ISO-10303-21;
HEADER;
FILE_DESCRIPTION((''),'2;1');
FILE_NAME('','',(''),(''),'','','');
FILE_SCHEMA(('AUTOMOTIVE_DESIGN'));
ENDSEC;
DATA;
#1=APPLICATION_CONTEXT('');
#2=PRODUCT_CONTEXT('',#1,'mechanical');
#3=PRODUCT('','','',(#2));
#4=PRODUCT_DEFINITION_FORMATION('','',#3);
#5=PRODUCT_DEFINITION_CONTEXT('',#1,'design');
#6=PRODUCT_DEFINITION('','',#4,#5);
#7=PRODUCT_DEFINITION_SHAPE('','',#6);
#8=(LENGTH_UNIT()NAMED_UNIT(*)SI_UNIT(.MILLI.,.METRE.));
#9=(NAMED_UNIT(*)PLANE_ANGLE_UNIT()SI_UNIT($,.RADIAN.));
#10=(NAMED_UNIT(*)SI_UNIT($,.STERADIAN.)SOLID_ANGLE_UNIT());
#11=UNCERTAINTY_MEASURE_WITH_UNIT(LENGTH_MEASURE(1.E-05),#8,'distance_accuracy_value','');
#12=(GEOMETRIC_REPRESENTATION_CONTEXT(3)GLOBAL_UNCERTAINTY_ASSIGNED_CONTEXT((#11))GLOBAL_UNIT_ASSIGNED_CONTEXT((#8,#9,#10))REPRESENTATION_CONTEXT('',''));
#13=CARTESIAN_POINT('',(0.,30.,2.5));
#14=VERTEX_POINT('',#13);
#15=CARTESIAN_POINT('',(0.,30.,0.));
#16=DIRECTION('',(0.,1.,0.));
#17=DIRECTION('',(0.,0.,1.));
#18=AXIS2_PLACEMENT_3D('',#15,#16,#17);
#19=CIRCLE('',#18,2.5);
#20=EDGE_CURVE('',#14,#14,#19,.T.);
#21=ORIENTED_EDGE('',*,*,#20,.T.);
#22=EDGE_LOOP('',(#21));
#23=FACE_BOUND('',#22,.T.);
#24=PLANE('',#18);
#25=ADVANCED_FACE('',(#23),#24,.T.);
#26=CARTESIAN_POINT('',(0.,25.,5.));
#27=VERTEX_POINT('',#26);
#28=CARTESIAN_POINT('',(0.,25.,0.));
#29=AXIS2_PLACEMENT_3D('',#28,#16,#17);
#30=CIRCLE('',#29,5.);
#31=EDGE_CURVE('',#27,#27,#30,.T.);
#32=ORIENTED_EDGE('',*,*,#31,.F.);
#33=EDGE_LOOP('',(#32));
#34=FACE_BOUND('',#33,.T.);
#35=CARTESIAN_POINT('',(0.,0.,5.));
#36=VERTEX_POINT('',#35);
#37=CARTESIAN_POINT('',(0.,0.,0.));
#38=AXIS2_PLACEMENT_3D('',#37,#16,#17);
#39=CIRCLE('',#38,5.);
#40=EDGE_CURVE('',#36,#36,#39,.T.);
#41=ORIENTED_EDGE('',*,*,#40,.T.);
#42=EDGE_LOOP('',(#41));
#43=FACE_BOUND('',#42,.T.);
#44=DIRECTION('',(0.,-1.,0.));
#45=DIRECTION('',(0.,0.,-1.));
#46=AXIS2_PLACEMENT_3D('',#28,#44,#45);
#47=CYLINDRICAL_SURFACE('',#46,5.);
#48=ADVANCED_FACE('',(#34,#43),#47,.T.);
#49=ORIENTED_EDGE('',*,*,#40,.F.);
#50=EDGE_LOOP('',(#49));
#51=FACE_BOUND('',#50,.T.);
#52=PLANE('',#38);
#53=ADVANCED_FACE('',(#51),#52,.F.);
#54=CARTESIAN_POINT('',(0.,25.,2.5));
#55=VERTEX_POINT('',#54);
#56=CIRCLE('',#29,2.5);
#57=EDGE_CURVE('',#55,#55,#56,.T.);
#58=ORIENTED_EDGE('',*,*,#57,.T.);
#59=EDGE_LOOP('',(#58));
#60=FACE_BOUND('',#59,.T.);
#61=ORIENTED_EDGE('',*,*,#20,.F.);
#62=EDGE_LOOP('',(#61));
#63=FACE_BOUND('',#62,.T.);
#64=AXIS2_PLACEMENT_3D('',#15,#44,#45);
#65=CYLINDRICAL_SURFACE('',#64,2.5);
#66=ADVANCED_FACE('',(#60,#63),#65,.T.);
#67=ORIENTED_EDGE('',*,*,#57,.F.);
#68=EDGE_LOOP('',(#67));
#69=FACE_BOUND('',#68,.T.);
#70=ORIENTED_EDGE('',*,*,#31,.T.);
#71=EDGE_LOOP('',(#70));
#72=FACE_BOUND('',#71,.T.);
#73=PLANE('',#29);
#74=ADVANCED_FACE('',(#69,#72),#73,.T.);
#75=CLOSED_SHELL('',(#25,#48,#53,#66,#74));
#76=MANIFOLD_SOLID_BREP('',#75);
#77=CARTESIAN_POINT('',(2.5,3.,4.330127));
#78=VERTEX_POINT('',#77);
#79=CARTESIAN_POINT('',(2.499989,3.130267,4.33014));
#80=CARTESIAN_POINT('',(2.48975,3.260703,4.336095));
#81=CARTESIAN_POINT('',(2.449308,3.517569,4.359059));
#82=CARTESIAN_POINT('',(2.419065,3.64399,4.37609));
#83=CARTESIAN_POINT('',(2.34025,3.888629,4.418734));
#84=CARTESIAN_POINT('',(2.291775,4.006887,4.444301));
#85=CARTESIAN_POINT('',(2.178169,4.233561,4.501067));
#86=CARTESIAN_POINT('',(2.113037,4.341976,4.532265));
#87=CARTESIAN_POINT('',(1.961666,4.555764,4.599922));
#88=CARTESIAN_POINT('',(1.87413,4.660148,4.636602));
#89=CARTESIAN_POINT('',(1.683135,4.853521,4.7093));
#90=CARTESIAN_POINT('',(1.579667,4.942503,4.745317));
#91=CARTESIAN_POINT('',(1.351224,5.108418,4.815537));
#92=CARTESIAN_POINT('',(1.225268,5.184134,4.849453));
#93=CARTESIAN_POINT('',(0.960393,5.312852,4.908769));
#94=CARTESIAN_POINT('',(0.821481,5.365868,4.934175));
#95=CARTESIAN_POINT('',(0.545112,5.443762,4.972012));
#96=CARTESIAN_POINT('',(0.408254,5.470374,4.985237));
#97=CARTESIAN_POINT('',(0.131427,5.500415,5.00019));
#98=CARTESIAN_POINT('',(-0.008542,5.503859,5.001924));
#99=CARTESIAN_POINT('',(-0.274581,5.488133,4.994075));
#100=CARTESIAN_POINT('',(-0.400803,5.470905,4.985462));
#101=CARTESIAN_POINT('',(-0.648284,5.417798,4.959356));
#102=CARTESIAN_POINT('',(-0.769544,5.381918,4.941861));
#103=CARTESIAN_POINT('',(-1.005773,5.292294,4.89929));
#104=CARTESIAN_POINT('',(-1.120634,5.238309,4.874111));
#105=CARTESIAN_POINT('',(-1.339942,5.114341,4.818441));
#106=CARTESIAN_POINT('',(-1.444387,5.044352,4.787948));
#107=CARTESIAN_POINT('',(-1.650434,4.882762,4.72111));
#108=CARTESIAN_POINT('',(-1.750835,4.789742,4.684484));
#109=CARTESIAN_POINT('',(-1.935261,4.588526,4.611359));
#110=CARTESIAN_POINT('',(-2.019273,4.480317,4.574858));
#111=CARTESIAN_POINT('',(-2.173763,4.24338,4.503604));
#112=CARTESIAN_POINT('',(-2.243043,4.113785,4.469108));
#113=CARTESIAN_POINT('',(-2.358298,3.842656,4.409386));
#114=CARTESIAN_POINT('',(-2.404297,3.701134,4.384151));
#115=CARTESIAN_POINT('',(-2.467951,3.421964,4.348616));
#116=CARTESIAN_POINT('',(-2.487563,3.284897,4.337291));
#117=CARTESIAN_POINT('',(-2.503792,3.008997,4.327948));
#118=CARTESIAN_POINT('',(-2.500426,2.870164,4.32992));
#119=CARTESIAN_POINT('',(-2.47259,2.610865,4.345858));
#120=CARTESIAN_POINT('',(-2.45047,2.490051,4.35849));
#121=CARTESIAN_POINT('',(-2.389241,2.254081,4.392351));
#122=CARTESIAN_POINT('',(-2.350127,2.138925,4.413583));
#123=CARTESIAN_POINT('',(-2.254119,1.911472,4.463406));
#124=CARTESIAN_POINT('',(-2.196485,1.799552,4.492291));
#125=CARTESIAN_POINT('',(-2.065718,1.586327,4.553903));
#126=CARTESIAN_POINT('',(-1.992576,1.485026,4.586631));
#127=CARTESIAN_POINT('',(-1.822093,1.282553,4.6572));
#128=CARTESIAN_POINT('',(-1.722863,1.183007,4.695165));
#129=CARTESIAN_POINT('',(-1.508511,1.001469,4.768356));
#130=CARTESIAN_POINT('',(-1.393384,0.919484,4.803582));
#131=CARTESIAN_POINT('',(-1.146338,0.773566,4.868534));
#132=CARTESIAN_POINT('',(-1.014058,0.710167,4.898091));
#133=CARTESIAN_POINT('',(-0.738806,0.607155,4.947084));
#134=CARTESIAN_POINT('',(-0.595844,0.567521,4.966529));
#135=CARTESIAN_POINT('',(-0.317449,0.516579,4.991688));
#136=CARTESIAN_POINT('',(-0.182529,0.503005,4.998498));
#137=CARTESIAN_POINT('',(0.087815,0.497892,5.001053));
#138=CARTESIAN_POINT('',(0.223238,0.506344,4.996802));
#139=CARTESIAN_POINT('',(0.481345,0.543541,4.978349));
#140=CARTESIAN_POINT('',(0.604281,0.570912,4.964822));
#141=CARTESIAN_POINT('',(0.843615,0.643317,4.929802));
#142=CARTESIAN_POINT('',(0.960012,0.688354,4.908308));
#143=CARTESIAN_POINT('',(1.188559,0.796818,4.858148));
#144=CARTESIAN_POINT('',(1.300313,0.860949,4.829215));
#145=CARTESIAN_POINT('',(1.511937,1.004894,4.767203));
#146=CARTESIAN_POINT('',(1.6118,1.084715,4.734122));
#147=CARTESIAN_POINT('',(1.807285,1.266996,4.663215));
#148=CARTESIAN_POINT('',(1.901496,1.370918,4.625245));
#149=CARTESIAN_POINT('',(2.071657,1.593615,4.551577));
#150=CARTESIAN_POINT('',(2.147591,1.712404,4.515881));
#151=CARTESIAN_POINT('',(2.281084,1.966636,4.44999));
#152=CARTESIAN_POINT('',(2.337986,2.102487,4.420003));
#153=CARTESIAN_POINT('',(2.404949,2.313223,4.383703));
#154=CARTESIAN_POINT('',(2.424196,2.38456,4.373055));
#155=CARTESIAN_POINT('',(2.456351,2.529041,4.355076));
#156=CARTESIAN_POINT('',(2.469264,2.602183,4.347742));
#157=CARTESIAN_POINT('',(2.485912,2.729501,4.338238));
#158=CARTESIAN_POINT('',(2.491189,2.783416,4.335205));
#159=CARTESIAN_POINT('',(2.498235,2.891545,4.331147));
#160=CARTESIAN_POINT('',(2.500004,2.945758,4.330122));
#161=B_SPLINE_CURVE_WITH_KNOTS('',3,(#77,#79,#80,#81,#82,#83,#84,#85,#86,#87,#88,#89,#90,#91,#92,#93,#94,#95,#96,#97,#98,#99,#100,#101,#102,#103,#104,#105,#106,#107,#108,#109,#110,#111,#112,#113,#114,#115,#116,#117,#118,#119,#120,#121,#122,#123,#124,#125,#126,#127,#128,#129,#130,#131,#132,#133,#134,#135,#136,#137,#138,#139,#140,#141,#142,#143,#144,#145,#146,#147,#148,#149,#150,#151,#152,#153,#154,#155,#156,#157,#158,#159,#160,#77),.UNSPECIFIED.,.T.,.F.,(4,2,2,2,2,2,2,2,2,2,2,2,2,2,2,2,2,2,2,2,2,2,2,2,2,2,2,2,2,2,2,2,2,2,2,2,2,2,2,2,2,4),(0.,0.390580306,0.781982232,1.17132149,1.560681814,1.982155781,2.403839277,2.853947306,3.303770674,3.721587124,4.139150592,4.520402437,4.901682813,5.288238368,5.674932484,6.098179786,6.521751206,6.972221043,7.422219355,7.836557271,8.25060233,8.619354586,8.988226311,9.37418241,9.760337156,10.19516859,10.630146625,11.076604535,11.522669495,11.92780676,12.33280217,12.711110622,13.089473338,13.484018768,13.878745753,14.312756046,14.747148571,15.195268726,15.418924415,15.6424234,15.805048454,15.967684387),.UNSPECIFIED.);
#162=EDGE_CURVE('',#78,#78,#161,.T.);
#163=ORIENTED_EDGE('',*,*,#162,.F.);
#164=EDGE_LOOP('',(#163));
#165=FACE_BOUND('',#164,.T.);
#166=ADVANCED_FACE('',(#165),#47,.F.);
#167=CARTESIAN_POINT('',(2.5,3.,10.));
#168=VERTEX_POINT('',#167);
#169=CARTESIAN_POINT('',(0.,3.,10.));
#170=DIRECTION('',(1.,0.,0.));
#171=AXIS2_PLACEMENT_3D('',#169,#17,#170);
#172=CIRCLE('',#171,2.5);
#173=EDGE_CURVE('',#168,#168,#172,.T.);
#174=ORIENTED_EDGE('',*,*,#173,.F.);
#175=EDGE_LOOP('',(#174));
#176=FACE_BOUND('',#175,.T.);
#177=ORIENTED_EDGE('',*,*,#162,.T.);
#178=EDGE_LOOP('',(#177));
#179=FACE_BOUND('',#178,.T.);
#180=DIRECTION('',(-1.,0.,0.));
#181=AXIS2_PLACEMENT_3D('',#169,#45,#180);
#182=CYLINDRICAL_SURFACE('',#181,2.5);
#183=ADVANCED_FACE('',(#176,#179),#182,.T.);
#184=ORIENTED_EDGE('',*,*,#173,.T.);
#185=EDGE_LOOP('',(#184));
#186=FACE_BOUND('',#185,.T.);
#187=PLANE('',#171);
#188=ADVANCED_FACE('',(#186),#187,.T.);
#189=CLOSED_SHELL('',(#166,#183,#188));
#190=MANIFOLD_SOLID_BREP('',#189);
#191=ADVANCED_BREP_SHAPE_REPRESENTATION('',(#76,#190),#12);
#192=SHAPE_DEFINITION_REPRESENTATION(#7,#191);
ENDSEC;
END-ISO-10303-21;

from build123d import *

# Parameters (mm, degrees)
SKETCH1_R                       = 5
BOSS_EXTRUDE1_DEPTH             = 25
SKETCH2_R                       = 2.5
BOSS_EXTRUDE2_DEPTH             = 5
BOSS_EXTRUDE2_DIRECTION_2_REACH = 12
SKETCH4_R                       = 2.5
BOSS_EXTRUDE3_DEPTH             = 5


with BuildPart() as part:
    # Sketch1 → Boss-Extrude1 (new body)
    with BuildSketch(Plane(origin=(0, 0, 0), x_dir=(1, 0, 0), z_dir=(0, 1, 0))):
        Circle(SKETCH1_R)
    extrude(amount=BOSS_EXTRUDE1_DEPTH)


with BuildPart() as body_2:
    # Sketch2 → Boss-Extrude2 (new body)
    with BuildSketch(Plane.XY.offset(5)):
        with Locations((0, 3)):
            Circle(SKETCH2_R)
    extrude(amount=BOSS_EXTRUDE2_DEPTH)


    # Sketch2 → Boss-Extrude2 direction 2 (add, up to next)
    with BuildSketch(Plane.XY.offset(5), mode=Mode.PRIVATE) as boss_extrude2_direction_2_sk1:
        with Locations((0, 3)):
            Circle(SKETCH2_R)
    boss_extrude2_direction_2_tool1 = extrude(boss_extrude2_direction_2_sk1.sketch, amount=-BOSS_EXTRUDE2_DIRECTION_2_REACH, mode=Mode.PRIVATE) - part.part
    add(boss_extrude2_direction_2_tool1.solids().sort_by_distance((0, 3, 5))[0])
    add(boss_extrude2_direction_2_tool1.solids().sort_by_distance((0, 3, 5))[1])


with BuildPart() as part_1:
    add(part.part)

    # Sketch4 → Boss-Extrude3 (add)
    with BuildSketch(Plane(origin=(0, 25, 0), x_dir=(1, 0, 0), z_dir=(0, 1, 0))):
        Circle(SKETCH4_R)
    extrude(amount=BOSS_EXTRUDE3_DEPTH)


solid = Compound([body_2.part, part_1.part])
